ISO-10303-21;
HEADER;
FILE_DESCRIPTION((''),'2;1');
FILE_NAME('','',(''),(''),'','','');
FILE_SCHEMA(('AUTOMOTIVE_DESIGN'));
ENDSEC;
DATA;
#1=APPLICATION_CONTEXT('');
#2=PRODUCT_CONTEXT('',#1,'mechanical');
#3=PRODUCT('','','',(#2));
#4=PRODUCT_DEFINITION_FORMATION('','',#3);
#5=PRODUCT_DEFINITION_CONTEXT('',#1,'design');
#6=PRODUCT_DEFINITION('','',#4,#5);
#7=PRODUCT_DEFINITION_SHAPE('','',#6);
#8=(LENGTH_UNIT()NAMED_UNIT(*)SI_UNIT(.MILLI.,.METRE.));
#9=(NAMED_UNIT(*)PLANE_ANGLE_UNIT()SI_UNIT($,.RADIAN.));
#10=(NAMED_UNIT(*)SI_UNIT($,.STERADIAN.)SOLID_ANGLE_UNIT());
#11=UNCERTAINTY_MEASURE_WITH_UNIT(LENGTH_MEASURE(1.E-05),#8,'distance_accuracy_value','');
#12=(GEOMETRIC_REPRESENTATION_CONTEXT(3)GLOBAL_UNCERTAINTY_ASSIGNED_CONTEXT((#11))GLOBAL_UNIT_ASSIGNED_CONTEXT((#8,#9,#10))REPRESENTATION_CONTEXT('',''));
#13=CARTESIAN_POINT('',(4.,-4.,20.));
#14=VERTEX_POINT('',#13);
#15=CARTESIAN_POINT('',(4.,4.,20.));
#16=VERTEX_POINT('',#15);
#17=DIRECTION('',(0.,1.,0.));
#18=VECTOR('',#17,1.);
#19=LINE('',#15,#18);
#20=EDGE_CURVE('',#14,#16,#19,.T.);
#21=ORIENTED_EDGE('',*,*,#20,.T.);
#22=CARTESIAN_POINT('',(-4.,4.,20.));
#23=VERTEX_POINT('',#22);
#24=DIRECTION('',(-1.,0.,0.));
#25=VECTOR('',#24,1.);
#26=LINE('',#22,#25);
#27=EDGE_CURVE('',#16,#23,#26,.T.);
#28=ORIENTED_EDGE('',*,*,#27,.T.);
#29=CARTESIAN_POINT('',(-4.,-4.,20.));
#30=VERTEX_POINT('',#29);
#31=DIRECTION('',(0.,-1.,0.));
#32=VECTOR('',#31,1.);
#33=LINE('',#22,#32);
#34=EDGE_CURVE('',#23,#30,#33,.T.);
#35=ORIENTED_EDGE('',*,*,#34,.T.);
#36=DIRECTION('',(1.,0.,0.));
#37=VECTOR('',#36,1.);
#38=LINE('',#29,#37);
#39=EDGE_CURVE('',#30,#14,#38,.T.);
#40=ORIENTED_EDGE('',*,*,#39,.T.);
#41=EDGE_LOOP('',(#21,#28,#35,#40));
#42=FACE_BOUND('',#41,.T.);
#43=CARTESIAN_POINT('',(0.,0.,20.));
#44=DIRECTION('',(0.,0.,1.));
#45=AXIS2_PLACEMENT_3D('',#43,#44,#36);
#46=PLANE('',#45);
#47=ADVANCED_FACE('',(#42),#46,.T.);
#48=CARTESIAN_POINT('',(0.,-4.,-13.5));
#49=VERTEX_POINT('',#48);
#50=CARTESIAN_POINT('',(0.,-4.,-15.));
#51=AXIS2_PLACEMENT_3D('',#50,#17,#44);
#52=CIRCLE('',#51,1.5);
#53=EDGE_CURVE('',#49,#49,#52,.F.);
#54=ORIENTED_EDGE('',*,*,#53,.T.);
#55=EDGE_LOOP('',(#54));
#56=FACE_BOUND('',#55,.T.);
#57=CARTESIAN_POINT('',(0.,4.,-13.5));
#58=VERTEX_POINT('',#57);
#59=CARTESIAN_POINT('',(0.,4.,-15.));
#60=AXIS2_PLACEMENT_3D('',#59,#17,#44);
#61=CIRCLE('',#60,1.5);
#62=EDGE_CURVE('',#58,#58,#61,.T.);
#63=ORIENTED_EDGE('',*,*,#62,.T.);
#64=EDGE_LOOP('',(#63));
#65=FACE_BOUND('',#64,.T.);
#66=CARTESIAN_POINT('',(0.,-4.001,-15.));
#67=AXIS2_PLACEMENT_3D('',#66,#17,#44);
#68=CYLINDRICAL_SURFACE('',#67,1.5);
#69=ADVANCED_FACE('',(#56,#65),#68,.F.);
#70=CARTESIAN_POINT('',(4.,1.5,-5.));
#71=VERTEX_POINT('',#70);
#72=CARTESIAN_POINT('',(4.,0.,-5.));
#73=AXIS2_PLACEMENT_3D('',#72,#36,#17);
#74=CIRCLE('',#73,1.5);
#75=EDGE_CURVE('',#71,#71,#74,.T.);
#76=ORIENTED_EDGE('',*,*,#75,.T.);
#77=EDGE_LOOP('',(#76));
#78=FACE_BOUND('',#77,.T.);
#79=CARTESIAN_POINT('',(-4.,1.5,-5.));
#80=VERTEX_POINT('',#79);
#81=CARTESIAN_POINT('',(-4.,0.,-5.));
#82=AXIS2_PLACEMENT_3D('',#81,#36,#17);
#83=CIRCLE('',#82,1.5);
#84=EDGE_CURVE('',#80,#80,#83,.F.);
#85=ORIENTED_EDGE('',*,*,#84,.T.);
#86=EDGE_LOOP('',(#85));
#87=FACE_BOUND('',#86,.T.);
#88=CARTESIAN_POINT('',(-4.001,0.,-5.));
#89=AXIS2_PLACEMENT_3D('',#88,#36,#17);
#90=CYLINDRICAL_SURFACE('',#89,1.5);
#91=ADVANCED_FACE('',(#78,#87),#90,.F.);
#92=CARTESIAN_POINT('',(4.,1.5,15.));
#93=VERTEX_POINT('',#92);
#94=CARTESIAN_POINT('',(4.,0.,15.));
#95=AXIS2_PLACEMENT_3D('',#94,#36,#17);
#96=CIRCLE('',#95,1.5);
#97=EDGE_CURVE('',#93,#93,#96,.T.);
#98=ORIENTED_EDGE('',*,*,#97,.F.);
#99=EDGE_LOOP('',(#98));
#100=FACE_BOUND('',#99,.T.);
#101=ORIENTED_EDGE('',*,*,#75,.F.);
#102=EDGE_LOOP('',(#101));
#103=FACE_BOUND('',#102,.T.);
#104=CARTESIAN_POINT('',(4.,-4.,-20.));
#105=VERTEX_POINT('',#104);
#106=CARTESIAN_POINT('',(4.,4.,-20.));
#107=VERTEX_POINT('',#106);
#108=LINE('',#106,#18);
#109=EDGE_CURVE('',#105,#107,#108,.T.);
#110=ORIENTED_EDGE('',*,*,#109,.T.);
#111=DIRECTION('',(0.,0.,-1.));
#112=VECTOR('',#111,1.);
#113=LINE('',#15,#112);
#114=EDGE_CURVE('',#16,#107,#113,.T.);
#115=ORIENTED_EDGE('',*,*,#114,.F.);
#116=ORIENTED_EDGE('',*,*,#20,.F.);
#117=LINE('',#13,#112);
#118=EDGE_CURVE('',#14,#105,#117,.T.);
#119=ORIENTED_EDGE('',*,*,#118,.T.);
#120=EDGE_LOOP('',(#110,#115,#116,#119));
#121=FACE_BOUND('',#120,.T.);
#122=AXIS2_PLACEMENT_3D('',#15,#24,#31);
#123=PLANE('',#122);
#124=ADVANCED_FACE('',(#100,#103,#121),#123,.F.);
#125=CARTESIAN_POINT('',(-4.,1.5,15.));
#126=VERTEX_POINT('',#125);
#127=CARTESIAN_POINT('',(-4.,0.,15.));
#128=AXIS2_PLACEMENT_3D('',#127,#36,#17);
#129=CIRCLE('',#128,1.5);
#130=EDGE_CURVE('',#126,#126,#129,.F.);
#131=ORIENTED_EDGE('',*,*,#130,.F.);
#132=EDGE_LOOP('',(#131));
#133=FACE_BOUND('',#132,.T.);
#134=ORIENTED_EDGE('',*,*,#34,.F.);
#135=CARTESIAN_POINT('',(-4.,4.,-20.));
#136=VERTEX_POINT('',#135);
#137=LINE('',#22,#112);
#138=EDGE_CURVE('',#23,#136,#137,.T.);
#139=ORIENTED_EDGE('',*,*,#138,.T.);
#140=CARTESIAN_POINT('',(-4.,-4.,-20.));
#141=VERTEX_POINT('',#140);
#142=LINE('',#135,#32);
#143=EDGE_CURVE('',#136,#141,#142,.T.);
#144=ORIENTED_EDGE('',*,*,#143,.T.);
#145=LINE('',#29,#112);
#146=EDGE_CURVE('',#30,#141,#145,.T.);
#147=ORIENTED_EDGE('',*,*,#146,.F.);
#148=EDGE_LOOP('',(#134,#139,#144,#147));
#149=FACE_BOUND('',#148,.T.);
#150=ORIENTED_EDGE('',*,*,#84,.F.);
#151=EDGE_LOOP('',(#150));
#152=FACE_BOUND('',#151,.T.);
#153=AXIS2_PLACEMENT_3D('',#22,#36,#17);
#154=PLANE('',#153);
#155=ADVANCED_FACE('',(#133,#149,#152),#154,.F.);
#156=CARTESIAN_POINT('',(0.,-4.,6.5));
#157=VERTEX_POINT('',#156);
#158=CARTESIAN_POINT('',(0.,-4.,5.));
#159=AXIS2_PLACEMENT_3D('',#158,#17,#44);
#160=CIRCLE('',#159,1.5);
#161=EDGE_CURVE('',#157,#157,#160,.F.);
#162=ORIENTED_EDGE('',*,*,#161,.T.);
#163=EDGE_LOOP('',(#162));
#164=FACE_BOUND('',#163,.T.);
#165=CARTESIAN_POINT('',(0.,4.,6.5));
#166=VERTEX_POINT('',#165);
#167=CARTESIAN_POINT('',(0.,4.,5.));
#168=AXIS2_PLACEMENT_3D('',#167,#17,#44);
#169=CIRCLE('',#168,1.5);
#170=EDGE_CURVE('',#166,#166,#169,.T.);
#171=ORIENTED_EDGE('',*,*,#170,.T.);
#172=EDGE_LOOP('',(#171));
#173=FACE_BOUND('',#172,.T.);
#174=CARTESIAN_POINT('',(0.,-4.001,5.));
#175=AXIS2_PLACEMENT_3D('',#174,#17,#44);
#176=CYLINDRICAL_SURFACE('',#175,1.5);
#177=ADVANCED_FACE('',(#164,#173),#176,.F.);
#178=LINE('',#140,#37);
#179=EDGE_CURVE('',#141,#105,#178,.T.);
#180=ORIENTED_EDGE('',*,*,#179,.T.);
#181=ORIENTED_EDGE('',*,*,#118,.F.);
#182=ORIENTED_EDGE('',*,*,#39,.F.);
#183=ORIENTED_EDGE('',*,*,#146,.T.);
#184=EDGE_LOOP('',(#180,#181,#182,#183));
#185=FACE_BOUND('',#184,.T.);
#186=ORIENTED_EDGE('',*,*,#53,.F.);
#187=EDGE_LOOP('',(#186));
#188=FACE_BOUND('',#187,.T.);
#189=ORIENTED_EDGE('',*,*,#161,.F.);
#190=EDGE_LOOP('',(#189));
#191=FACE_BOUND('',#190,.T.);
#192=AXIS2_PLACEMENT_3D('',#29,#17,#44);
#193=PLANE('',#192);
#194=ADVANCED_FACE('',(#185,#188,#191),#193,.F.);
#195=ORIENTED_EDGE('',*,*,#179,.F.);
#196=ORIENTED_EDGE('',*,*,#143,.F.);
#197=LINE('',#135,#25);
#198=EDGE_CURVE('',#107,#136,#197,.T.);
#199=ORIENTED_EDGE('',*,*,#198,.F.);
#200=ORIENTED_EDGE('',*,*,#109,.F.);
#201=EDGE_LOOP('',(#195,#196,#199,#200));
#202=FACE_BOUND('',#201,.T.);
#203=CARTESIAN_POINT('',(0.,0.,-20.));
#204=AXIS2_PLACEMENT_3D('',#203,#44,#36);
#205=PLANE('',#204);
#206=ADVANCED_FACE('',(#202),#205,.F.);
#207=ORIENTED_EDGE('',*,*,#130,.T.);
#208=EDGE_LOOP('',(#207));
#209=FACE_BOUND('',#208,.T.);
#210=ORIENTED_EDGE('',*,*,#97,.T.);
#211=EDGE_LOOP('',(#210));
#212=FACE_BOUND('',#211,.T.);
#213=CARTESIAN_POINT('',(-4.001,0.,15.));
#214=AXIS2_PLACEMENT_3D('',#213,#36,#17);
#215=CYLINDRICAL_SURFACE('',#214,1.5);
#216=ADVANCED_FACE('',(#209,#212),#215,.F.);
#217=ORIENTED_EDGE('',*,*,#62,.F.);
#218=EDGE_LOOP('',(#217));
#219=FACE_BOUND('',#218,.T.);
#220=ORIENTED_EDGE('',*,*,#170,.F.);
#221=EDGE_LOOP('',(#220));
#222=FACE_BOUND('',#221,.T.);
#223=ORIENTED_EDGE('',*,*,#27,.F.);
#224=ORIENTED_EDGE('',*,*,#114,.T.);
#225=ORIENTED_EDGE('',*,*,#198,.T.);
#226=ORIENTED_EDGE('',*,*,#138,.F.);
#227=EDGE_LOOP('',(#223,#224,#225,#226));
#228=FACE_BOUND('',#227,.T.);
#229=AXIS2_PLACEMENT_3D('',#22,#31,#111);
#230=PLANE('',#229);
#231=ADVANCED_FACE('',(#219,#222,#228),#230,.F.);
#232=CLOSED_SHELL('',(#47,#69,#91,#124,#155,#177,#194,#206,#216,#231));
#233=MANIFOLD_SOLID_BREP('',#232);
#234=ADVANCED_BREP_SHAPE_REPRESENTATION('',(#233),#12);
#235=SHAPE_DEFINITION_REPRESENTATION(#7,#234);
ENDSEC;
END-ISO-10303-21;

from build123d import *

# Parameters (mm, degrees)
SKETCH_1_W          = 8
SKETCH_1_H          = 8
EXTRUDE_1_DEPTH     = 20
CUT_EXTRUDE_1_REACH = 23.909
SKETCH_2_R          = 1.5
CUT_EXTRUDE_2_REACH = 23.909
SKETCH_3_R          = 1.5


with BuildPart() as part:
    # 草图1 → 凸台-拉伸1 (new, symmetric)
    with BuildSketch(Plane.XY):
        Rectangle(SKETCH_1_W, SKETCH_1_H)
    extrude(amount=EXTRUDE_1_DEPTH, both=True)

    # 草图2 → 切除-拉伸1 (cut, up to next)
    with BuildSketch(Plane(origin=(4, 0, 0), x_dir=(0, 0, -1), z_dir=(1, 0, 0)), mode=Mode.PRIVATE) as cut_extrude_1_sk1:
        with Locations(Location((-15, 0, 0), (0, 0, 90))):
            Circle(SKETCH_2_R)
    cut_extrude_1_tool1 = extrude(cut_extrude_1_sk1.sketch, amount=-CUT_EXTRUDE_1_REACH, mode=Mode.PRIVATE) & part.part
    # 草图2 → 切除-拉伸1 (cut, up to next)
    with BuildSketch(Plane(origin=(4, 0, 0), x_dir=(0, 0, -1), z_dir=(1, 0, 0)), mode=Mode.PRIVATE) as cut_extrude_1_sk2:
        with Locations(Location((5, 0, 0), (0, 0, 90))):
            Circle(SKETCH_2_R)
    cut_extrude_1_tool2 = extrude(cut_extrude_1_sk2.sketch, amount=-CUT_EXTRUDE_1_REACH, mode=Mode.PRIVATE) & part.part
    add(cut_extrude_1_tool1.solids().sort_by_distance((4, 0, 15))[0], mode=Mode.SUBTRACT)
    add(cut_extrude_1_tool2.solids().sort_by_distance((4, 0, -5))[0], mode=Mode.SUBTRACT)

    # 草图3 → 切除-拉伸2 (cut, up to next)
    with BuildSketch(Plane(origin=(0, 4, 0), x_dir=(1, 0, 0), z_dir=(0, 1, 0)), mode=Mode.PRIVATE) as cut_extrude_2_sk1:
        with Locations(Location((0, 15, 0), (0, 0, 270))):
            Circle(SKETCH_3_R)
    cut_extrude_2_tool1 = extrude(cut_extrude_2_sk1.sketch, amount=-CUT_EXTRUDE_2_REACH, mode=Mode.PRIVATE) & part.part
    # 草图3 → 切除-拉伸2 (cut, up to next)
    with BuildSketch(Plane(origin=(0, 4, 0), x_dir=(1, 0, 0), z_dir=(0, 1, 0)), mode=Mode.PRIVATE) as cut_extrude_2_sk2:
        with Locations(Location((0, -5, 0), (0, 0, 270))):
            Circle(SKETCH_3_R)
    cut_extrude_2_tool2 = extrude(cut_extrude_2_sk2.sketch, amount=-CUT_EXTRUDE_2_REACH, mode=Mode.PRIVATE) & part.part
    add(cut_extrude_2_tool1.solids().sort_by_distance((0, 4, -15))[0], mode=Mode.SUBTRACT)
    add(cut_extrude_2_tool2.solids().sort_by_distance((0, 4, 5))[0], mode=Mode.SUBTRACT)


solid = part.part
